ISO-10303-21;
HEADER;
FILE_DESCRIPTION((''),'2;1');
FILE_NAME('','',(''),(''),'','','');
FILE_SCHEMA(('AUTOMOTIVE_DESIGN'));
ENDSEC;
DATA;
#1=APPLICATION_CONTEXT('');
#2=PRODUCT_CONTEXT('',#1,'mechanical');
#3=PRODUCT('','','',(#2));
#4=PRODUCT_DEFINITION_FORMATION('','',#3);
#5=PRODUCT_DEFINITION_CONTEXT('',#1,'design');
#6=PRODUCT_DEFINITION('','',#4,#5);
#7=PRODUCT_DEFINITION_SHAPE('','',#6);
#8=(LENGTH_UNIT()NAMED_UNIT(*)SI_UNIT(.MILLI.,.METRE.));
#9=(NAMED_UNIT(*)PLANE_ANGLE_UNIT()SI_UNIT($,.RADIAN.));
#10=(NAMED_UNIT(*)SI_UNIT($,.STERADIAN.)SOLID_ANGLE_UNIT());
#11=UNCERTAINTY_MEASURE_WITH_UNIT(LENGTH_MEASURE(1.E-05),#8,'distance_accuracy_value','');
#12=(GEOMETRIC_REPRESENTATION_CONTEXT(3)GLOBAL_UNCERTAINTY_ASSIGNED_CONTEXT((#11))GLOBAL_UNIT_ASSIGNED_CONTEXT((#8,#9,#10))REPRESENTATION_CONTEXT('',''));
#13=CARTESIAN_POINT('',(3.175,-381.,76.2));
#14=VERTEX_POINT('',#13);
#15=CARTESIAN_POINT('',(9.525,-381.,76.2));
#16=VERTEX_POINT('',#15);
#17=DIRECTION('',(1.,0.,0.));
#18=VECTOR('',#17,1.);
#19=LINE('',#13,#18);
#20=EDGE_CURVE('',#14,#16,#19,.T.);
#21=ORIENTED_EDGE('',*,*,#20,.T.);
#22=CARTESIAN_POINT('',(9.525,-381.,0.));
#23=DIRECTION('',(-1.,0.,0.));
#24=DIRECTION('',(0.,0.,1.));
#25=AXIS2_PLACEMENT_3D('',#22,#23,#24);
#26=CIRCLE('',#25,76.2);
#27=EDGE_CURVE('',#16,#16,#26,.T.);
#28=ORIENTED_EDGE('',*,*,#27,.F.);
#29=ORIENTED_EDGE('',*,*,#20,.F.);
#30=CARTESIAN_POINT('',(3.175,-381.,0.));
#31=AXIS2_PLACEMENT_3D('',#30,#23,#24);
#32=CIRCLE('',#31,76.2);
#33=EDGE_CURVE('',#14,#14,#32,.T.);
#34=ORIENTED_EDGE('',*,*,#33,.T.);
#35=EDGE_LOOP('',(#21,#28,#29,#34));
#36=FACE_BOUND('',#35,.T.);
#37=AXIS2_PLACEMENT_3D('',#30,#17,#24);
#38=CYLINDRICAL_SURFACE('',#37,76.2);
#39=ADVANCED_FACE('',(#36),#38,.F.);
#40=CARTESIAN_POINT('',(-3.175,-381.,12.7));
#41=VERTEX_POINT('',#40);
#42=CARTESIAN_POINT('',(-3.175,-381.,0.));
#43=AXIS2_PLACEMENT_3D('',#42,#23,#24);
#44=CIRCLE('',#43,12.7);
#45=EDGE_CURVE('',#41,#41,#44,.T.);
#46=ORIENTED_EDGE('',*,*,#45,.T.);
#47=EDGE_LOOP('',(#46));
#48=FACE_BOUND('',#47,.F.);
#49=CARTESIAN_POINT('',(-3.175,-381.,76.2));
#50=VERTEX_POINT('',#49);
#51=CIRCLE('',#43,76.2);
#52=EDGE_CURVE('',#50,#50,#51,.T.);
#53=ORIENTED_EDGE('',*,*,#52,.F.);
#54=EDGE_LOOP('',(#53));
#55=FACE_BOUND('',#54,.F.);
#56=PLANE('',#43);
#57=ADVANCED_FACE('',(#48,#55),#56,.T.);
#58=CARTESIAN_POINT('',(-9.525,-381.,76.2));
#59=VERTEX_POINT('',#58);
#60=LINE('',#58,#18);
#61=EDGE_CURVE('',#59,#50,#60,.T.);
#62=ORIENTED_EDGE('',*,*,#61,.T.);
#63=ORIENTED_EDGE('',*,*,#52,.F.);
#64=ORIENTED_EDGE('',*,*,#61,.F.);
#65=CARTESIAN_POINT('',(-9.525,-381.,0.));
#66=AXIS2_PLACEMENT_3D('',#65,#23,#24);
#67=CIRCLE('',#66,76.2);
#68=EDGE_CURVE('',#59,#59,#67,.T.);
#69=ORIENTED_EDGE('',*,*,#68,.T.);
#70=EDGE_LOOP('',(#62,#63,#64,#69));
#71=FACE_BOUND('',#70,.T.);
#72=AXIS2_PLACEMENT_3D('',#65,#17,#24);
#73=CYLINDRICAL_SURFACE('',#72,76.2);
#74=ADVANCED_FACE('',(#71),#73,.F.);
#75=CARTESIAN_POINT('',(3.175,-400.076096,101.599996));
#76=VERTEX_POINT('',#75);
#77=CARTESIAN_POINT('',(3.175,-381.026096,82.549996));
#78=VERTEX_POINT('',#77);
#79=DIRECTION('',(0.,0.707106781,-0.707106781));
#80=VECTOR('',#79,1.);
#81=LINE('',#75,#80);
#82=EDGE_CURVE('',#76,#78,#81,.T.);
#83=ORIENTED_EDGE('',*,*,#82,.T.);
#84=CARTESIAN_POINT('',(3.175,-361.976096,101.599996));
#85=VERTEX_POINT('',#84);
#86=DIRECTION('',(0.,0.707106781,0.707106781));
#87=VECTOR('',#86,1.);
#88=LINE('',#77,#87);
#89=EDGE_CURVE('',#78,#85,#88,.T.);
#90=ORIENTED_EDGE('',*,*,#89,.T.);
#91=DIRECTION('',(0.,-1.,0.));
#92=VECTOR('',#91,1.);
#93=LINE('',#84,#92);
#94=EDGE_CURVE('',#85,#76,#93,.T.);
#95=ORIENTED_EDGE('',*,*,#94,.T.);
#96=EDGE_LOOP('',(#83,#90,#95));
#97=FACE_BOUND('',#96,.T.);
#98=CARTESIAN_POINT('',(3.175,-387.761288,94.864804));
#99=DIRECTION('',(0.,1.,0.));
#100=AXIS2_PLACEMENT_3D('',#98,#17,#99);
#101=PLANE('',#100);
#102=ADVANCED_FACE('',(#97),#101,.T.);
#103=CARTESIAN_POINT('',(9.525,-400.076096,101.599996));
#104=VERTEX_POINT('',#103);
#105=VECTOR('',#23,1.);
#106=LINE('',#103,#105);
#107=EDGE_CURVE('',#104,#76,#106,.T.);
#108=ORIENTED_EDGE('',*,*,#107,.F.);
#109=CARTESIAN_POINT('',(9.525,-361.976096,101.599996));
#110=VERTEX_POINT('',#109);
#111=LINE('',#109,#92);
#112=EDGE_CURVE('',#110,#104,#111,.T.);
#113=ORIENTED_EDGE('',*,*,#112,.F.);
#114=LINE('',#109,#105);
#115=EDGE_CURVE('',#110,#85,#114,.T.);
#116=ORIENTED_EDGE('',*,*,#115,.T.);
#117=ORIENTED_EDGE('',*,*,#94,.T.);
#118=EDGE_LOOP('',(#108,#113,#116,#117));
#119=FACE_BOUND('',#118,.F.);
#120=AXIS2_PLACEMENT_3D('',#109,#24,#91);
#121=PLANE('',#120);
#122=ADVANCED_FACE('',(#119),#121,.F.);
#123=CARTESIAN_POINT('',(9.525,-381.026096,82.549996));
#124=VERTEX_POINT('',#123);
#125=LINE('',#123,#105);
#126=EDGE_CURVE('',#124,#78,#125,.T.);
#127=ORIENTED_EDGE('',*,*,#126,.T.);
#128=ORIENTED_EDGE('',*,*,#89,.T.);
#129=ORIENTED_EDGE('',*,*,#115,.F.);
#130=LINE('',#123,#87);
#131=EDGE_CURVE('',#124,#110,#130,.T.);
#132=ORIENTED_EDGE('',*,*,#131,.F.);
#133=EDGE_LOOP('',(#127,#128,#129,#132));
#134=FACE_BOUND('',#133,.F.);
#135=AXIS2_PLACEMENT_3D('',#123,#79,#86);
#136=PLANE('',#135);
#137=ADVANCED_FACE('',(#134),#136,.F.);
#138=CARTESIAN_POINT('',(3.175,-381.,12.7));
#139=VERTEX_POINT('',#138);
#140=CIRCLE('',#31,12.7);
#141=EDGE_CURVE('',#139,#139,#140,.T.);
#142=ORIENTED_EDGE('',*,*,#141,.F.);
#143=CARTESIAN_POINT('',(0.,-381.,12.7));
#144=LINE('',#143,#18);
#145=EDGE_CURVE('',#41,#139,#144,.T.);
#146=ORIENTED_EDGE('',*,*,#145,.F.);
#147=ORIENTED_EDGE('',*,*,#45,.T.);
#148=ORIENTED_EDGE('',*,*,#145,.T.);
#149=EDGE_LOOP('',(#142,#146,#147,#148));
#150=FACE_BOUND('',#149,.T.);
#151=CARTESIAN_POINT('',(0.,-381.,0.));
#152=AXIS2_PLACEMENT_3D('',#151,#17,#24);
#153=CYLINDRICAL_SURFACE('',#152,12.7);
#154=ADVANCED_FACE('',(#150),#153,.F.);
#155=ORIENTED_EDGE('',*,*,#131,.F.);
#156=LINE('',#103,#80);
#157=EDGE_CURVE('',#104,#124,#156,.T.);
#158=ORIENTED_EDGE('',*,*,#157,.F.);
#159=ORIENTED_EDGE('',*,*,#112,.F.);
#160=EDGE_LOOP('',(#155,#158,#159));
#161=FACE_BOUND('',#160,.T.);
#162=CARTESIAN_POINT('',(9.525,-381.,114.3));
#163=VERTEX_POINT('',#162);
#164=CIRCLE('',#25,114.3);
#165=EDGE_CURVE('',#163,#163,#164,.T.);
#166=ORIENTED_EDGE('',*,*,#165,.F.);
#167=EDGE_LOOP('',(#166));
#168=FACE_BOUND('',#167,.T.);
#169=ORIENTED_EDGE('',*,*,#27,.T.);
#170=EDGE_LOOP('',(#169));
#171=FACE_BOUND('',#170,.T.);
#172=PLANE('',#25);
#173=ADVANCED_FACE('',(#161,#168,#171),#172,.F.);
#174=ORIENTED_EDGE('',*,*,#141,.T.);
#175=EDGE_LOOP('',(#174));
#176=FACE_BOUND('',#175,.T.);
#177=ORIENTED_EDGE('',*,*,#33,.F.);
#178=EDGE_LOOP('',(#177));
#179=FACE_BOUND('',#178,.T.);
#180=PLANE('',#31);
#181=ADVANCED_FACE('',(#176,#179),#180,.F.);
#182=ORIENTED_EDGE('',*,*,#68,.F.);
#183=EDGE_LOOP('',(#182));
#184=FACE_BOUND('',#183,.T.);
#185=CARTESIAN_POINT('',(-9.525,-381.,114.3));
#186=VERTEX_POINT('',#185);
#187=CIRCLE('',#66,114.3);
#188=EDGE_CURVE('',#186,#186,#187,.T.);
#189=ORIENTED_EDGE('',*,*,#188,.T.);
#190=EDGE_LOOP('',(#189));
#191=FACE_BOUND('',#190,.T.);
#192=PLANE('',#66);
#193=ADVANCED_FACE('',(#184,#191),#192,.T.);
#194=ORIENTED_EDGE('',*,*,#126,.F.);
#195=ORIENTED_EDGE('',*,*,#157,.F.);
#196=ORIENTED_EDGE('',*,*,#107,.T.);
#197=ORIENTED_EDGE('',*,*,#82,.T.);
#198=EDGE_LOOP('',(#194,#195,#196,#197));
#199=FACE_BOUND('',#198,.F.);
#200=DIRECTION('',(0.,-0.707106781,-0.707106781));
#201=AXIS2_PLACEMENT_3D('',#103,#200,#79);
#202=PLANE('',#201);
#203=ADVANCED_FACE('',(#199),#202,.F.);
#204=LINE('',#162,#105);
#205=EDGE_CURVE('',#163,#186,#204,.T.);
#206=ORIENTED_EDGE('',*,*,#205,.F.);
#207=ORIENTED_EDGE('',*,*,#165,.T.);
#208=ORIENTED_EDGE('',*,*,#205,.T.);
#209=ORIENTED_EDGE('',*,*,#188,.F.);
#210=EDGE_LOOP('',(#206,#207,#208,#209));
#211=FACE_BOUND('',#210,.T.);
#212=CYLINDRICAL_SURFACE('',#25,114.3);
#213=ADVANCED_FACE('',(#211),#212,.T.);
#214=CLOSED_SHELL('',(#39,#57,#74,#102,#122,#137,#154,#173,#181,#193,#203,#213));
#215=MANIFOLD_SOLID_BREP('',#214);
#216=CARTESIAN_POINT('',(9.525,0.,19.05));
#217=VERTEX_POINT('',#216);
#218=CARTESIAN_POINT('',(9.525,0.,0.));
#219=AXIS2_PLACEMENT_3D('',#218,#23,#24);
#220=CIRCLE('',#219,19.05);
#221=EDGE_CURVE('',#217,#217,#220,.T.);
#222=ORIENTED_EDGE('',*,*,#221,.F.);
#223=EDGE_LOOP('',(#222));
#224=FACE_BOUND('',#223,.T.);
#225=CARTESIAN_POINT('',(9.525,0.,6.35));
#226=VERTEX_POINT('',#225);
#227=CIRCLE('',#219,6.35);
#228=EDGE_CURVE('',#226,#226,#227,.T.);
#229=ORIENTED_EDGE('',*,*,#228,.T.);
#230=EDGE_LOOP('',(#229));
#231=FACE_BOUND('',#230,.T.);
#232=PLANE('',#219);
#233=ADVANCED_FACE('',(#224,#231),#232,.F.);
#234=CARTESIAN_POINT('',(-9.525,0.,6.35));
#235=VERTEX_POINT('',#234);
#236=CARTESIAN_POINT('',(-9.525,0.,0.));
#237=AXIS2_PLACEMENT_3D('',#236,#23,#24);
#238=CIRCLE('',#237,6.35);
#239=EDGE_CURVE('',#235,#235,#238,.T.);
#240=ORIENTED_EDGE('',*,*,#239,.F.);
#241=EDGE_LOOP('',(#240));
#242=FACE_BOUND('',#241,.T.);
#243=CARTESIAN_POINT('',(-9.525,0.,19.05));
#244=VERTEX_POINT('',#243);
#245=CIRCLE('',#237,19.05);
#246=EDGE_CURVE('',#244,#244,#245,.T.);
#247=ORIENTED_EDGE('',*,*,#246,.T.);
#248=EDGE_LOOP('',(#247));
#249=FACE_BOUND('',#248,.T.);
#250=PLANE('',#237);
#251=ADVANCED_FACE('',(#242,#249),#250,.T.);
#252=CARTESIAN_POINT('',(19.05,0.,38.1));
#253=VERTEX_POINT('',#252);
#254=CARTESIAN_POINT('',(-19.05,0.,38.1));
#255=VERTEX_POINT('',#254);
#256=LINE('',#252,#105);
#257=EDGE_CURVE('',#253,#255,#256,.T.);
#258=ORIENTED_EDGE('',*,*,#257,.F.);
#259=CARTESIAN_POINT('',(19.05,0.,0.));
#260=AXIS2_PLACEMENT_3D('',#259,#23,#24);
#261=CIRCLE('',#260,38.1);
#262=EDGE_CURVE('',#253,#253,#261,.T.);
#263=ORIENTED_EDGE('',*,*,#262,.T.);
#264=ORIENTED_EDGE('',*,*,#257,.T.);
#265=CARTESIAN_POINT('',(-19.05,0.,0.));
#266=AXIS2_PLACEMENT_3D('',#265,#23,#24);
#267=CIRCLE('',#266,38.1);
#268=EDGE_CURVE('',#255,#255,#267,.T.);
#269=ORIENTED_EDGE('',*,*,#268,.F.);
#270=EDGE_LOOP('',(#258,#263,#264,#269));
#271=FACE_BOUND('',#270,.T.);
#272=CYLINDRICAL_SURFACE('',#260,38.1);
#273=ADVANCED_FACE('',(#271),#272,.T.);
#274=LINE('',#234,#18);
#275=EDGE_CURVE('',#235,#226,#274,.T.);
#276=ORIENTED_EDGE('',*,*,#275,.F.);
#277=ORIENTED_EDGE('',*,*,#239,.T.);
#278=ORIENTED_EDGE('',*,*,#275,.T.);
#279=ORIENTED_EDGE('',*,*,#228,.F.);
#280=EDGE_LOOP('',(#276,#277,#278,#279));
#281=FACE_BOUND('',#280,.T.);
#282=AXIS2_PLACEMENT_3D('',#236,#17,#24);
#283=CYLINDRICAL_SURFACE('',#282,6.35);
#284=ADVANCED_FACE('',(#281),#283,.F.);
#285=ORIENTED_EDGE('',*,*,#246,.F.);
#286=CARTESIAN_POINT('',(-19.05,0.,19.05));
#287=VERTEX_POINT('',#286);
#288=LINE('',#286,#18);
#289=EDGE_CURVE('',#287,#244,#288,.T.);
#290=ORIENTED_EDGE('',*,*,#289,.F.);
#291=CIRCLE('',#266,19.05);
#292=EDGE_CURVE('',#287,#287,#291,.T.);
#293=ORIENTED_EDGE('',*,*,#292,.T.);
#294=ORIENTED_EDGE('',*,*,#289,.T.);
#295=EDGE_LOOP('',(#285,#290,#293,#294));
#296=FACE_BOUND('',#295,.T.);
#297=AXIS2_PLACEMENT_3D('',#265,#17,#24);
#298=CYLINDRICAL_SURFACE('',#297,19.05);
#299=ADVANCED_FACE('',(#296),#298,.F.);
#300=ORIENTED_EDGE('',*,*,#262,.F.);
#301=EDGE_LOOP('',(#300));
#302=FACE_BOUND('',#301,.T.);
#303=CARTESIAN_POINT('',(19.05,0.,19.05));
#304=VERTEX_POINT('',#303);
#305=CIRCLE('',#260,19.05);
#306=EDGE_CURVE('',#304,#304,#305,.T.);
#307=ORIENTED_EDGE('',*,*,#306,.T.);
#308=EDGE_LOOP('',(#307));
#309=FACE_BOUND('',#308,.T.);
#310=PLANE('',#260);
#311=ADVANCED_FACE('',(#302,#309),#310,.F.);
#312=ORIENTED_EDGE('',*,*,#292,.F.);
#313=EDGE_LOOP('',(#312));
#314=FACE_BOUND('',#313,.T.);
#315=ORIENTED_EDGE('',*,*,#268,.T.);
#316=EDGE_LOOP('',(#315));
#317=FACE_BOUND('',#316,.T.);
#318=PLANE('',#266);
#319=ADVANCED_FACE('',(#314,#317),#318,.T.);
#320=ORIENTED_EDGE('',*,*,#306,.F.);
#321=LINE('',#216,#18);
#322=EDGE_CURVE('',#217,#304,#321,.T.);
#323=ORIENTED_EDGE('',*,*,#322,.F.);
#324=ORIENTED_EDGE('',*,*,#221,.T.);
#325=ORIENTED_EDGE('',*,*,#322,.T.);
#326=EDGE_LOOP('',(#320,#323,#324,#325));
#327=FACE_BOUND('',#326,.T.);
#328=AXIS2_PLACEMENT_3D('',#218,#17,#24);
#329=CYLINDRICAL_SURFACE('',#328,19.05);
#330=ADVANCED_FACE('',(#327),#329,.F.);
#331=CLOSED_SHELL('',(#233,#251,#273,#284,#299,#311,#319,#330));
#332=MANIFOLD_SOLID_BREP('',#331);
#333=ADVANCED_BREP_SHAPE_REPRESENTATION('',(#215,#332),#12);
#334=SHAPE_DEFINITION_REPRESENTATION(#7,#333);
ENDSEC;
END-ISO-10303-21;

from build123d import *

# Parameters (mm, degrees)
F3_W     = 6.35
F3_H     = 63.5
F6_DEPTH = 6.35


with BuildPart() as f1:
    # F0 (on Front) → F1 (revolve)
    with BuildSketch(Plane.XZ):
        Polygon((-19.05, 19.05), (-9.525, 19.05), (-9.525, 6.35), (0, 6.35), (0, 38.1), (-19.05, 38.1), align=None)
        Polygon((0, 38.1), (0, 6.35), (9.525, 6.35), (9.525, 19.05), (19.05, 19.05), (19.05, 38.1), align=None)
    revolve(axis=Axis((0, 0, 0), (-1, 0, 0)))


with BuildPart() as f4:
    # F3 (on offset) → F4 (revolve)
    with BuildSketch(Plane.XZ.offset(381)):
        with Locations((0, 44.45)):
            Rectangle(F3_W, F3_H)
        Polygon((-3.175, 76.2), (3.175, 76.2), (9.525, 76.2), (9.525, 114.3), (-9.525, 114.3), (-9.525, 76.2), align=None)
    revolve(axis=Axis((0, -381, 0), (-1, 0, 0)))

    # F5 (on face) → F6 (cut)
    with BuildSketch(Plane.YZ.offset(9.525)):
        Polygon((-381.026096, 101.599996), (-400.076096, 101.599996), (-381.026096, 82.549996), align=None)
        Polygon((-381.026096, 101.599996), (-381.026096, 82.549996), (-361.976096, 101.599996), align=None)
    extrude(amount=-F6_DEPTH, mode=Mode.SUBTRACT)


solid = Compound([f1.part, f4.part])
